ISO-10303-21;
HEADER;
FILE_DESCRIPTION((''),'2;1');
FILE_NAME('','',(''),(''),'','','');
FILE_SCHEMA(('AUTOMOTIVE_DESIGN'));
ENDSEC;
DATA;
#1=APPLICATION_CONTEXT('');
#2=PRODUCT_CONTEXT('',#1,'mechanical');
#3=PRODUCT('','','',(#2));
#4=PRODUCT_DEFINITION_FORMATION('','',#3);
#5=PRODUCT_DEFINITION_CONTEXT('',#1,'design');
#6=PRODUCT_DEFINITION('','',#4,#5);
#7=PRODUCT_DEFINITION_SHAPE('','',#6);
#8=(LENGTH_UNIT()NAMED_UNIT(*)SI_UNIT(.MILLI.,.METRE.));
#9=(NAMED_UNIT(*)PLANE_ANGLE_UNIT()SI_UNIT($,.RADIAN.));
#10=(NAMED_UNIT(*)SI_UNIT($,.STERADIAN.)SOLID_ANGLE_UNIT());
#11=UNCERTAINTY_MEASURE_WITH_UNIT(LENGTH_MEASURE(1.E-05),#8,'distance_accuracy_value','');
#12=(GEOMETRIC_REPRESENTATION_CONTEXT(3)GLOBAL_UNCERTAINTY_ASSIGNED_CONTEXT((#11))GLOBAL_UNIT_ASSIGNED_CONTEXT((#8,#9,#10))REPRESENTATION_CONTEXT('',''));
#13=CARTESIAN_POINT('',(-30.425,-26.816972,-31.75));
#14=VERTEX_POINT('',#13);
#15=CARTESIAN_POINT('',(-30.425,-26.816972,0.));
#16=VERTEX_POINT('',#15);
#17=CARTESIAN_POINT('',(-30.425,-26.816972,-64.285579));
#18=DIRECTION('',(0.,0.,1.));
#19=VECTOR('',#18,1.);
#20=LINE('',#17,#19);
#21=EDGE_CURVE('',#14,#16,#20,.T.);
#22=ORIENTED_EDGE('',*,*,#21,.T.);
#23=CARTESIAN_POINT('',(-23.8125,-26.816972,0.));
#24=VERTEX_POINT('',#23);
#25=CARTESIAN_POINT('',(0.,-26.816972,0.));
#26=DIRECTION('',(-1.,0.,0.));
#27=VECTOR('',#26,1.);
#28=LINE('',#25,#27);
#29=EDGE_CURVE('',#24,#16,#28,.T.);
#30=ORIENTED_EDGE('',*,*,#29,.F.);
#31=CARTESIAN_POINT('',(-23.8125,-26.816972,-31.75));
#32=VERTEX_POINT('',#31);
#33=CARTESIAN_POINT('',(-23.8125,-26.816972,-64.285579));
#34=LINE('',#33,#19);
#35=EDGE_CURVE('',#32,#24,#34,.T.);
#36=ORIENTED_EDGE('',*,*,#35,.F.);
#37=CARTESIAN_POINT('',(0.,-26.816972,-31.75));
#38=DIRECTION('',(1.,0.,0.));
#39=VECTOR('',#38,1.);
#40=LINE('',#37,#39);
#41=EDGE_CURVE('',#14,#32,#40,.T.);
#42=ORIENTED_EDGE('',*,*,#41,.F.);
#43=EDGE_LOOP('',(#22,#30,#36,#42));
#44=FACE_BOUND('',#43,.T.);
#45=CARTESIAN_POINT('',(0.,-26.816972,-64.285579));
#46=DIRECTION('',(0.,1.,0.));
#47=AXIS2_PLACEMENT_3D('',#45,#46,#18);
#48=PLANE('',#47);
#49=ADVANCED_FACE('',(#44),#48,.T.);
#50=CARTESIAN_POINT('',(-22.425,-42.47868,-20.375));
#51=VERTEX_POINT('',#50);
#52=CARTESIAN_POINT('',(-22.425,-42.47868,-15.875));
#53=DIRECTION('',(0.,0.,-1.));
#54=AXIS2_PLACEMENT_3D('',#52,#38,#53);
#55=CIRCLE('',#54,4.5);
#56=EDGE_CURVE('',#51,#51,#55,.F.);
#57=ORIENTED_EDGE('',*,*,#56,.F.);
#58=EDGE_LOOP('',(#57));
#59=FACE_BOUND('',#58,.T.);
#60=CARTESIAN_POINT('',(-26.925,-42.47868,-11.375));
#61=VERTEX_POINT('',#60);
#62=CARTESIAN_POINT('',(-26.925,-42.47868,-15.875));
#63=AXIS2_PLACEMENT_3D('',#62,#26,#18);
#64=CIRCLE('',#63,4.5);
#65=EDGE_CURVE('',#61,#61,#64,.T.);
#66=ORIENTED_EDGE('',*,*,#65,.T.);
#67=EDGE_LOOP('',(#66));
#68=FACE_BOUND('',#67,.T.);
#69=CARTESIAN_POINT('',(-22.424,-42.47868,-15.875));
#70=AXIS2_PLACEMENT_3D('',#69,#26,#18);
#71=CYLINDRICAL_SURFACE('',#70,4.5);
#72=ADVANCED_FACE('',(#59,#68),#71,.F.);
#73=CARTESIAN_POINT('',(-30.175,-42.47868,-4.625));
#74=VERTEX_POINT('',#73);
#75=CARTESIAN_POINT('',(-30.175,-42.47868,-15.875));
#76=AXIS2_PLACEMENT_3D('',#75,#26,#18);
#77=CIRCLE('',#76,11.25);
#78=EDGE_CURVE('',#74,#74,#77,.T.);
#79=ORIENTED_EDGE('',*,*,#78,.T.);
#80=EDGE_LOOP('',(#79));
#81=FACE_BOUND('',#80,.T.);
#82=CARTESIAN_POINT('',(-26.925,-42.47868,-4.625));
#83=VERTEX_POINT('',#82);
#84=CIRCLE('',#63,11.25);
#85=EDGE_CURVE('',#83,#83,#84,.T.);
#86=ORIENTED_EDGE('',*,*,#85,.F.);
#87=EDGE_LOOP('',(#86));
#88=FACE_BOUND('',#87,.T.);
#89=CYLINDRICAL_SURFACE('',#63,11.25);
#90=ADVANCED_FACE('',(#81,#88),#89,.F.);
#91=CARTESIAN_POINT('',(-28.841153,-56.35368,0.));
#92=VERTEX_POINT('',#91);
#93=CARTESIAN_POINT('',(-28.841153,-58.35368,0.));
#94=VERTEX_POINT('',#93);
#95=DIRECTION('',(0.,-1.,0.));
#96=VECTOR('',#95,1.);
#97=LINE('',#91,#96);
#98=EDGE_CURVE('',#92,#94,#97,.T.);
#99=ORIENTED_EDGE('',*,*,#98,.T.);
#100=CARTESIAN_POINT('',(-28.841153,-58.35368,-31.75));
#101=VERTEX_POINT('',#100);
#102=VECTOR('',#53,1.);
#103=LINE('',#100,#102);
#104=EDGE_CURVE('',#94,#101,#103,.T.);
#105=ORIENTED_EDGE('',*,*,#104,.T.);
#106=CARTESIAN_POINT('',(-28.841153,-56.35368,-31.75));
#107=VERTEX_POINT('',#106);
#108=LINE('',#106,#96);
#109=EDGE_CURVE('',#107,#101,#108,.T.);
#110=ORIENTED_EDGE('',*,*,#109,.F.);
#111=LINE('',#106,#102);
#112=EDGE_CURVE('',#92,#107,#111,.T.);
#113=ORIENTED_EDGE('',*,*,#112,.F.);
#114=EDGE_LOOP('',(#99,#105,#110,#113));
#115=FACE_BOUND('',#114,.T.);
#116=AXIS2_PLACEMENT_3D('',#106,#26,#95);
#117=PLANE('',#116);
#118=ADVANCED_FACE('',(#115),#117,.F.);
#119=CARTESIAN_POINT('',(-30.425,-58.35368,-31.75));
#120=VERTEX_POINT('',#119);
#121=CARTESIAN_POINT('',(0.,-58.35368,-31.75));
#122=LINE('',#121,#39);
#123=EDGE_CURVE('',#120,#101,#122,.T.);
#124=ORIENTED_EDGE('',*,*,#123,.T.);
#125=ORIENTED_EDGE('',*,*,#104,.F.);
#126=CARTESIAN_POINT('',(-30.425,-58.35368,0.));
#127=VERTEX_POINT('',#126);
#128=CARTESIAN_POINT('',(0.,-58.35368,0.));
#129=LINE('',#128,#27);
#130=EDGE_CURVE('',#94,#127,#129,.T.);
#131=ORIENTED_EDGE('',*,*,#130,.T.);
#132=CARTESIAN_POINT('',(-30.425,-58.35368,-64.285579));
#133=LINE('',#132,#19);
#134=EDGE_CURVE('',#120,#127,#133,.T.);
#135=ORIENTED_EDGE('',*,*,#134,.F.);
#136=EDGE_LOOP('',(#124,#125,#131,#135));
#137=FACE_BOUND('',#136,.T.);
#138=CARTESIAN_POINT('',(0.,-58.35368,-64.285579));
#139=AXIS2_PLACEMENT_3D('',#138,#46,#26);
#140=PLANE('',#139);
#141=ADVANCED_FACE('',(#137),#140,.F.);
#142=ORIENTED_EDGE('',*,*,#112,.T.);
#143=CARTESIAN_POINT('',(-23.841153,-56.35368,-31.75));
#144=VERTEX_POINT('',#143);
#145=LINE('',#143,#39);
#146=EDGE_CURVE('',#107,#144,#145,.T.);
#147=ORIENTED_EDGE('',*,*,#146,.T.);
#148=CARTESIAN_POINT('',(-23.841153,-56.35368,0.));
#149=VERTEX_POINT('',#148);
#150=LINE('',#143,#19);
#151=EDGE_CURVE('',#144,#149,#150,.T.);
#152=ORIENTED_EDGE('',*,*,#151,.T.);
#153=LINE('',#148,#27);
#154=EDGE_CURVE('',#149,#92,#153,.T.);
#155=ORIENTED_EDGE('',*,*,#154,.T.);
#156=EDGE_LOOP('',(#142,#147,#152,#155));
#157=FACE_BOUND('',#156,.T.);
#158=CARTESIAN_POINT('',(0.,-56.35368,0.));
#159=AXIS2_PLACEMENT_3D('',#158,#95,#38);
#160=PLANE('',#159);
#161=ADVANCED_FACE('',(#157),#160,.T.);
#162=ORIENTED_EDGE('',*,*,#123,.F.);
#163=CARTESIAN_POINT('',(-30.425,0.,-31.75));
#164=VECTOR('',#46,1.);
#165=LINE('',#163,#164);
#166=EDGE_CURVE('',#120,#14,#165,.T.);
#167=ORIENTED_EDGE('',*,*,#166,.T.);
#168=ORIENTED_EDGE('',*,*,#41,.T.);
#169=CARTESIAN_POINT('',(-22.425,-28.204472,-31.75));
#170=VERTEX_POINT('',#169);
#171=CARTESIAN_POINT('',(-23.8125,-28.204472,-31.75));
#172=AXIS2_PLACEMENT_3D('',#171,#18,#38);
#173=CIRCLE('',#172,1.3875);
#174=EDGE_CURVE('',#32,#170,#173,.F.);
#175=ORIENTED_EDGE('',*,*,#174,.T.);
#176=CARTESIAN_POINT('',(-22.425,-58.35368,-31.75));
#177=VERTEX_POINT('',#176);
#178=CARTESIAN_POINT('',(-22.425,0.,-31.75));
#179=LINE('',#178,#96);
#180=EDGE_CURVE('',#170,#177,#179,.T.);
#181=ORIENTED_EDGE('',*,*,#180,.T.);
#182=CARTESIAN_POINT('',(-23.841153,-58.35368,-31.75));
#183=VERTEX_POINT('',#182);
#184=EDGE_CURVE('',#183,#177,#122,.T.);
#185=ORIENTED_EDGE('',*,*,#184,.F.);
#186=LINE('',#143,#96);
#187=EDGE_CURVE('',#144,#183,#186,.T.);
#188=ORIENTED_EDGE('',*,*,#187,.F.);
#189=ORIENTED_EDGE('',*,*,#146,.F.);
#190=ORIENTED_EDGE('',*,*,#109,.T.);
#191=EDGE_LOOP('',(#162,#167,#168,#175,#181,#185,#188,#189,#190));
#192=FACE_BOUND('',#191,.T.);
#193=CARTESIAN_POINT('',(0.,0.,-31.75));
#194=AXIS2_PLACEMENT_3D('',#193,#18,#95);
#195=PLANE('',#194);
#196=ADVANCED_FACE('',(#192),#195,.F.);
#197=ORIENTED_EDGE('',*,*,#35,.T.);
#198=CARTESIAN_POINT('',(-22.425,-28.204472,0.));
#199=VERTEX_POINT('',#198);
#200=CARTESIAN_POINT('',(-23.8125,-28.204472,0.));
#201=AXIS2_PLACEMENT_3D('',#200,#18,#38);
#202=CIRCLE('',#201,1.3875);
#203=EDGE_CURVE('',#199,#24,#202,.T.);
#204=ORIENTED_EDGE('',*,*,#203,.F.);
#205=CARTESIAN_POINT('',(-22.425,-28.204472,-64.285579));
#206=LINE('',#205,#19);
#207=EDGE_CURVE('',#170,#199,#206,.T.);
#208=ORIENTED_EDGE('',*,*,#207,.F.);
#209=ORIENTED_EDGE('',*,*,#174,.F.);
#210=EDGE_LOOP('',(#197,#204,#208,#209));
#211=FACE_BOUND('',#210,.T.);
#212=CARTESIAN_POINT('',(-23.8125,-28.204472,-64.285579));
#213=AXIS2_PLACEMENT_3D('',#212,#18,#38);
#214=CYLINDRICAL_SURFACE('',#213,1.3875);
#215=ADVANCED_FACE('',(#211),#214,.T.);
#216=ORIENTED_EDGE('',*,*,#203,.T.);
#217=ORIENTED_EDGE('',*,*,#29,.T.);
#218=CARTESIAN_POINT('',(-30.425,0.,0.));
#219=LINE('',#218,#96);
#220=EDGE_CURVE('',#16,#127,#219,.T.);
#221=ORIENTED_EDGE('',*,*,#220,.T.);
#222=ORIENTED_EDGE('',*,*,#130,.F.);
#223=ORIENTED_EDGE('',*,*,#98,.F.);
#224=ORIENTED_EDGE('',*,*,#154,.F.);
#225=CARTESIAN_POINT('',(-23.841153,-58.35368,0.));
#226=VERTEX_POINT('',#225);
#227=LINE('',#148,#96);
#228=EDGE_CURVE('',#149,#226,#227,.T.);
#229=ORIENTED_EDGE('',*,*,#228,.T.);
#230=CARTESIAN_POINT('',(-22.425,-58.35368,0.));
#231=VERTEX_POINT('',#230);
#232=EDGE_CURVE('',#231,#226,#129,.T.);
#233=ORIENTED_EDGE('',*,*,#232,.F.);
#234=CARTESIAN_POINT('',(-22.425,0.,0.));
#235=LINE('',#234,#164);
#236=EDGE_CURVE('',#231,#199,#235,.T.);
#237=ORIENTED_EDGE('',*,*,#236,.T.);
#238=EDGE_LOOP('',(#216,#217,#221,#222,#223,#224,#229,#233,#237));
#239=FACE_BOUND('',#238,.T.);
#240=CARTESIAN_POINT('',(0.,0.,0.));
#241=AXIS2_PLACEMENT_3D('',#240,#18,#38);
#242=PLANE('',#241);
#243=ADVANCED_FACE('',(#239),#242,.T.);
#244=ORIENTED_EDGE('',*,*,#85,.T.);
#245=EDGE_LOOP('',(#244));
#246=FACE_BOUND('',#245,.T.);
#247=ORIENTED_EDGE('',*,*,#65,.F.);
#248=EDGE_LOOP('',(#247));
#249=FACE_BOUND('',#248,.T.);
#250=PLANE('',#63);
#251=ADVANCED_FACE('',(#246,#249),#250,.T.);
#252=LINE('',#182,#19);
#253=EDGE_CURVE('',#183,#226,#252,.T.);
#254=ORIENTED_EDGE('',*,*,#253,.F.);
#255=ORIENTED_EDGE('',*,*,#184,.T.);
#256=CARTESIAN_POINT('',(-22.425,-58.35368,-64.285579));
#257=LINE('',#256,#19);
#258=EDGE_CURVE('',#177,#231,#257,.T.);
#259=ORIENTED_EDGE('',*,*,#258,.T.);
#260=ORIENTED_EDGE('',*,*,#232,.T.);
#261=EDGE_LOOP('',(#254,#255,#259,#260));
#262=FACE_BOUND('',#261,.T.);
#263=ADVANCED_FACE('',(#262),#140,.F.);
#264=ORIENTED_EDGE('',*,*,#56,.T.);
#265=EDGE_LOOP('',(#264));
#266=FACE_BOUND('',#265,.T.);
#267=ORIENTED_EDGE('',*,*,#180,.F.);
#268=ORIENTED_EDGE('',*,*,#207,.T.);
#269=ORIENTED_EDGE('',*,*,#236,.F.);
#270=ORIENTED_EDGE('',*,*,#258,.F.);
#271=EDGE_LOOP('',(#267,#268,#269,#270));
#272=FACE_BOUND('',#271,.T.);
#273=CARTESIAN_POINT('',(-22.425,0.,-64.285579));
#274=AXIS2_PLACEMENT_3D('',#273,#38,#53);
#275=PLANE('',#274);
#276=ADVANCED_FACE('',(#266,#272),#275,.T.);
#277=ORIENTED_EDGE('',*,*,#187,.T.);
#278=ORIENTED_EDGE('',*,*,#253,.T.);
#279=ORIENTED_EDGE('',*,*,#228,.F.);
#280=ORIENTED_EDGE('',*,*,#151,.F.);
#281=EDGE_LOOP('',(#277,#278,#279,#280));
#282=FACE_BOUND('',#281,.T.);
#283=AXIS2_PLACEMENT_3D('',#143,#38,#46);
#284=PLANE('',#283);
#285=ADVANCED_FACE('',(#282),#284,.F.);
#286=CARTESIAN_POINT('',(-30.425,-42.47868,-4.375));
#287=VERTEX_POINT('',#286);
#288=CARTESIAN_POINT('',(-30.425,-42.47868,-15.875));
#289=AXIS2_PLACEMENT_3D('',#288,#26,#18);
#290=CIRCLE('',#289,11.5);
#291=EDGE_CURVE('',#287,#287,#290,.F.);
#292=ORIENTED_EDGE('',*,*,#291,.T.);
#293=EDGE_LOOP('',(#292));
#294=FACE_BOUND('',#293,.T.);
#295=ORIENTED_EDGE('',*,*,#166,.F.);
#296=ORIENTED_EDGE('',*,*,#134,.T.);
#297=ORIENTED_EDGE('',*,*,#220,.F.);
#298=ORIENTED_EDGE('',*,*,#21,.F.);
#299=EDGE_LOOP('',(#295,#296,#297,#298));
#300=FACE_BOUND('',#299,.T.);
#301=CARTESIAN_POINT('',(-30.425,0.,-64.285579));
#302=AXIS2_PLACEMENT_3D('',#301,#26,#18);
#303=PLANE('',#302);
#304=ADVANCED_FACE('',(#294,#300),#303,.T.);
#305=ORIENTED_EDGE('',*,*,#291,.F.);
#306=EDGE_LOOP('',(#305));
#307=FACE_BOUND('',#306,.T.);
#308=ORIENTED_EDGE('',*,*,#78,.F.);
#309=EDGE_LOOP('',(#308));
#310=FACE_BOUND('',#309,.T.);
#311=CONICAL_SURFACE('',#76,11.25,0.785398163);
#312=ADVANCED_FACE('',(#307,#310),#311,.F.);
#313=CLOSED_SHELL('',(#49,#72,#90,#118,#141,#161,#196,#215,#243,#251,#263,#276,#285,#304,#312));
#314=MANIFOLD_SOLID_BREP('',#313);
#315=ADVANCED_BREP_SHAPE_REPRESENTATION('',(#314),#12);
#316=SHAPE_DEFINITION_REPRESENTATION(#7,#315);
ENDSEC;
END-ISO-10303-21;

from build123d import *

# Parameters (mm, degrees)
BOSS_EXTRUDE1_DEPTH = 31.75
SKETCH2_R           = 11.25
SKETCH2_R_2         = 4.5
CUT_EXTRUDE1_DEPTH  = 3.5
CUT_EXTRUDE2_REACH  = 68.912
SKETCH3_R           = 4.5
SKETCH4_W           = 5
SKETCH4_H           = 31.75
CUT_EXTRUDE3_DEPTH  = 2
CHAMFER3_SIZE       = 0.25


with BuildPart() as part:
    # Sketch1 → Boss-Extrude1 (new body)
    with BuildSketch(Plane.XY):
        with BuildLine():
            Line((-22.425, -58.353679699), (-22.425, -28.204472455))
            ThreePointArc((-22.425, -28.204472455), (-22.831389341, -27.223361796), (-23.8125, -26.816972455))
            Line((-23.8125, -26.816972455), (-30.425, -26.816972455))
            Line((-30.425, -26.816972455), (-30.425, -58.353679699))
            Line((-30.425, -58.353679699), (-22.425, -58.353679699))
        make_face()
    extrude(amount=-BOSS_EXTRUDE1_DEPTH)

    # Sketch2 → Cut-Extrude1 (cut)
    with BuildSketch(Plane.ZY.offset(30.425)):
        with Locations((-15.875, -42.478679699)):
            Circle(SKETCH2_R)
        with Locations((-15.875, -42.478679699)):
            Circle(SKETCH2_R_2, mode=Mode.SUBTRACT)
    extrude(amount=-CUT_EXTRUDE1_DEPTH, mode=Mode.SUBTRACT)

    # Sketch3 → Cut-Extrude2 (cut, up to next)
    with BuildSketch(Plane.ZY.offset(30.425), mode=Mode.PRIVATE) as cut_extrude2_sk1:
        with Locations((-15.875, -42.478679699)):
            Circle(SKETCH3_R)
    cut_extrude2_tool1 = extrude(cut_extrude2_sk1.sketch, amount=-CUT_EXTRUDE2_REACH, mode=Mode.PRIVATE) & part.part
    add(cut_extrude2_tool1.solids().sort_by_distance((-30.425, -42.47868, -15.875))[0], mode=Mode.SUBTRACT)

    # Sketch4 → Cut-Extrude3 (cut)
    with BuildSketch(Plane.XZ.offset(58.353679699)):
        with Locations((-26.341152568, -15.875)):
            Rectangle(SKETCH4_W, SKETCH4_H)
    extrude(amount=-CUT_EXTRUDE3_DEPTH, mode=Mode.SUBTRACT)

    # Chamfer3
    chamfer3_edges = [part.edges().sort_by_distance(p)[0] for p in [
        (-30.425, -42.478679699, -27.125),
    ]]
    chamfer(chamfer3_edges, length=CHAMFER3_SIZE)


solid = part.part
